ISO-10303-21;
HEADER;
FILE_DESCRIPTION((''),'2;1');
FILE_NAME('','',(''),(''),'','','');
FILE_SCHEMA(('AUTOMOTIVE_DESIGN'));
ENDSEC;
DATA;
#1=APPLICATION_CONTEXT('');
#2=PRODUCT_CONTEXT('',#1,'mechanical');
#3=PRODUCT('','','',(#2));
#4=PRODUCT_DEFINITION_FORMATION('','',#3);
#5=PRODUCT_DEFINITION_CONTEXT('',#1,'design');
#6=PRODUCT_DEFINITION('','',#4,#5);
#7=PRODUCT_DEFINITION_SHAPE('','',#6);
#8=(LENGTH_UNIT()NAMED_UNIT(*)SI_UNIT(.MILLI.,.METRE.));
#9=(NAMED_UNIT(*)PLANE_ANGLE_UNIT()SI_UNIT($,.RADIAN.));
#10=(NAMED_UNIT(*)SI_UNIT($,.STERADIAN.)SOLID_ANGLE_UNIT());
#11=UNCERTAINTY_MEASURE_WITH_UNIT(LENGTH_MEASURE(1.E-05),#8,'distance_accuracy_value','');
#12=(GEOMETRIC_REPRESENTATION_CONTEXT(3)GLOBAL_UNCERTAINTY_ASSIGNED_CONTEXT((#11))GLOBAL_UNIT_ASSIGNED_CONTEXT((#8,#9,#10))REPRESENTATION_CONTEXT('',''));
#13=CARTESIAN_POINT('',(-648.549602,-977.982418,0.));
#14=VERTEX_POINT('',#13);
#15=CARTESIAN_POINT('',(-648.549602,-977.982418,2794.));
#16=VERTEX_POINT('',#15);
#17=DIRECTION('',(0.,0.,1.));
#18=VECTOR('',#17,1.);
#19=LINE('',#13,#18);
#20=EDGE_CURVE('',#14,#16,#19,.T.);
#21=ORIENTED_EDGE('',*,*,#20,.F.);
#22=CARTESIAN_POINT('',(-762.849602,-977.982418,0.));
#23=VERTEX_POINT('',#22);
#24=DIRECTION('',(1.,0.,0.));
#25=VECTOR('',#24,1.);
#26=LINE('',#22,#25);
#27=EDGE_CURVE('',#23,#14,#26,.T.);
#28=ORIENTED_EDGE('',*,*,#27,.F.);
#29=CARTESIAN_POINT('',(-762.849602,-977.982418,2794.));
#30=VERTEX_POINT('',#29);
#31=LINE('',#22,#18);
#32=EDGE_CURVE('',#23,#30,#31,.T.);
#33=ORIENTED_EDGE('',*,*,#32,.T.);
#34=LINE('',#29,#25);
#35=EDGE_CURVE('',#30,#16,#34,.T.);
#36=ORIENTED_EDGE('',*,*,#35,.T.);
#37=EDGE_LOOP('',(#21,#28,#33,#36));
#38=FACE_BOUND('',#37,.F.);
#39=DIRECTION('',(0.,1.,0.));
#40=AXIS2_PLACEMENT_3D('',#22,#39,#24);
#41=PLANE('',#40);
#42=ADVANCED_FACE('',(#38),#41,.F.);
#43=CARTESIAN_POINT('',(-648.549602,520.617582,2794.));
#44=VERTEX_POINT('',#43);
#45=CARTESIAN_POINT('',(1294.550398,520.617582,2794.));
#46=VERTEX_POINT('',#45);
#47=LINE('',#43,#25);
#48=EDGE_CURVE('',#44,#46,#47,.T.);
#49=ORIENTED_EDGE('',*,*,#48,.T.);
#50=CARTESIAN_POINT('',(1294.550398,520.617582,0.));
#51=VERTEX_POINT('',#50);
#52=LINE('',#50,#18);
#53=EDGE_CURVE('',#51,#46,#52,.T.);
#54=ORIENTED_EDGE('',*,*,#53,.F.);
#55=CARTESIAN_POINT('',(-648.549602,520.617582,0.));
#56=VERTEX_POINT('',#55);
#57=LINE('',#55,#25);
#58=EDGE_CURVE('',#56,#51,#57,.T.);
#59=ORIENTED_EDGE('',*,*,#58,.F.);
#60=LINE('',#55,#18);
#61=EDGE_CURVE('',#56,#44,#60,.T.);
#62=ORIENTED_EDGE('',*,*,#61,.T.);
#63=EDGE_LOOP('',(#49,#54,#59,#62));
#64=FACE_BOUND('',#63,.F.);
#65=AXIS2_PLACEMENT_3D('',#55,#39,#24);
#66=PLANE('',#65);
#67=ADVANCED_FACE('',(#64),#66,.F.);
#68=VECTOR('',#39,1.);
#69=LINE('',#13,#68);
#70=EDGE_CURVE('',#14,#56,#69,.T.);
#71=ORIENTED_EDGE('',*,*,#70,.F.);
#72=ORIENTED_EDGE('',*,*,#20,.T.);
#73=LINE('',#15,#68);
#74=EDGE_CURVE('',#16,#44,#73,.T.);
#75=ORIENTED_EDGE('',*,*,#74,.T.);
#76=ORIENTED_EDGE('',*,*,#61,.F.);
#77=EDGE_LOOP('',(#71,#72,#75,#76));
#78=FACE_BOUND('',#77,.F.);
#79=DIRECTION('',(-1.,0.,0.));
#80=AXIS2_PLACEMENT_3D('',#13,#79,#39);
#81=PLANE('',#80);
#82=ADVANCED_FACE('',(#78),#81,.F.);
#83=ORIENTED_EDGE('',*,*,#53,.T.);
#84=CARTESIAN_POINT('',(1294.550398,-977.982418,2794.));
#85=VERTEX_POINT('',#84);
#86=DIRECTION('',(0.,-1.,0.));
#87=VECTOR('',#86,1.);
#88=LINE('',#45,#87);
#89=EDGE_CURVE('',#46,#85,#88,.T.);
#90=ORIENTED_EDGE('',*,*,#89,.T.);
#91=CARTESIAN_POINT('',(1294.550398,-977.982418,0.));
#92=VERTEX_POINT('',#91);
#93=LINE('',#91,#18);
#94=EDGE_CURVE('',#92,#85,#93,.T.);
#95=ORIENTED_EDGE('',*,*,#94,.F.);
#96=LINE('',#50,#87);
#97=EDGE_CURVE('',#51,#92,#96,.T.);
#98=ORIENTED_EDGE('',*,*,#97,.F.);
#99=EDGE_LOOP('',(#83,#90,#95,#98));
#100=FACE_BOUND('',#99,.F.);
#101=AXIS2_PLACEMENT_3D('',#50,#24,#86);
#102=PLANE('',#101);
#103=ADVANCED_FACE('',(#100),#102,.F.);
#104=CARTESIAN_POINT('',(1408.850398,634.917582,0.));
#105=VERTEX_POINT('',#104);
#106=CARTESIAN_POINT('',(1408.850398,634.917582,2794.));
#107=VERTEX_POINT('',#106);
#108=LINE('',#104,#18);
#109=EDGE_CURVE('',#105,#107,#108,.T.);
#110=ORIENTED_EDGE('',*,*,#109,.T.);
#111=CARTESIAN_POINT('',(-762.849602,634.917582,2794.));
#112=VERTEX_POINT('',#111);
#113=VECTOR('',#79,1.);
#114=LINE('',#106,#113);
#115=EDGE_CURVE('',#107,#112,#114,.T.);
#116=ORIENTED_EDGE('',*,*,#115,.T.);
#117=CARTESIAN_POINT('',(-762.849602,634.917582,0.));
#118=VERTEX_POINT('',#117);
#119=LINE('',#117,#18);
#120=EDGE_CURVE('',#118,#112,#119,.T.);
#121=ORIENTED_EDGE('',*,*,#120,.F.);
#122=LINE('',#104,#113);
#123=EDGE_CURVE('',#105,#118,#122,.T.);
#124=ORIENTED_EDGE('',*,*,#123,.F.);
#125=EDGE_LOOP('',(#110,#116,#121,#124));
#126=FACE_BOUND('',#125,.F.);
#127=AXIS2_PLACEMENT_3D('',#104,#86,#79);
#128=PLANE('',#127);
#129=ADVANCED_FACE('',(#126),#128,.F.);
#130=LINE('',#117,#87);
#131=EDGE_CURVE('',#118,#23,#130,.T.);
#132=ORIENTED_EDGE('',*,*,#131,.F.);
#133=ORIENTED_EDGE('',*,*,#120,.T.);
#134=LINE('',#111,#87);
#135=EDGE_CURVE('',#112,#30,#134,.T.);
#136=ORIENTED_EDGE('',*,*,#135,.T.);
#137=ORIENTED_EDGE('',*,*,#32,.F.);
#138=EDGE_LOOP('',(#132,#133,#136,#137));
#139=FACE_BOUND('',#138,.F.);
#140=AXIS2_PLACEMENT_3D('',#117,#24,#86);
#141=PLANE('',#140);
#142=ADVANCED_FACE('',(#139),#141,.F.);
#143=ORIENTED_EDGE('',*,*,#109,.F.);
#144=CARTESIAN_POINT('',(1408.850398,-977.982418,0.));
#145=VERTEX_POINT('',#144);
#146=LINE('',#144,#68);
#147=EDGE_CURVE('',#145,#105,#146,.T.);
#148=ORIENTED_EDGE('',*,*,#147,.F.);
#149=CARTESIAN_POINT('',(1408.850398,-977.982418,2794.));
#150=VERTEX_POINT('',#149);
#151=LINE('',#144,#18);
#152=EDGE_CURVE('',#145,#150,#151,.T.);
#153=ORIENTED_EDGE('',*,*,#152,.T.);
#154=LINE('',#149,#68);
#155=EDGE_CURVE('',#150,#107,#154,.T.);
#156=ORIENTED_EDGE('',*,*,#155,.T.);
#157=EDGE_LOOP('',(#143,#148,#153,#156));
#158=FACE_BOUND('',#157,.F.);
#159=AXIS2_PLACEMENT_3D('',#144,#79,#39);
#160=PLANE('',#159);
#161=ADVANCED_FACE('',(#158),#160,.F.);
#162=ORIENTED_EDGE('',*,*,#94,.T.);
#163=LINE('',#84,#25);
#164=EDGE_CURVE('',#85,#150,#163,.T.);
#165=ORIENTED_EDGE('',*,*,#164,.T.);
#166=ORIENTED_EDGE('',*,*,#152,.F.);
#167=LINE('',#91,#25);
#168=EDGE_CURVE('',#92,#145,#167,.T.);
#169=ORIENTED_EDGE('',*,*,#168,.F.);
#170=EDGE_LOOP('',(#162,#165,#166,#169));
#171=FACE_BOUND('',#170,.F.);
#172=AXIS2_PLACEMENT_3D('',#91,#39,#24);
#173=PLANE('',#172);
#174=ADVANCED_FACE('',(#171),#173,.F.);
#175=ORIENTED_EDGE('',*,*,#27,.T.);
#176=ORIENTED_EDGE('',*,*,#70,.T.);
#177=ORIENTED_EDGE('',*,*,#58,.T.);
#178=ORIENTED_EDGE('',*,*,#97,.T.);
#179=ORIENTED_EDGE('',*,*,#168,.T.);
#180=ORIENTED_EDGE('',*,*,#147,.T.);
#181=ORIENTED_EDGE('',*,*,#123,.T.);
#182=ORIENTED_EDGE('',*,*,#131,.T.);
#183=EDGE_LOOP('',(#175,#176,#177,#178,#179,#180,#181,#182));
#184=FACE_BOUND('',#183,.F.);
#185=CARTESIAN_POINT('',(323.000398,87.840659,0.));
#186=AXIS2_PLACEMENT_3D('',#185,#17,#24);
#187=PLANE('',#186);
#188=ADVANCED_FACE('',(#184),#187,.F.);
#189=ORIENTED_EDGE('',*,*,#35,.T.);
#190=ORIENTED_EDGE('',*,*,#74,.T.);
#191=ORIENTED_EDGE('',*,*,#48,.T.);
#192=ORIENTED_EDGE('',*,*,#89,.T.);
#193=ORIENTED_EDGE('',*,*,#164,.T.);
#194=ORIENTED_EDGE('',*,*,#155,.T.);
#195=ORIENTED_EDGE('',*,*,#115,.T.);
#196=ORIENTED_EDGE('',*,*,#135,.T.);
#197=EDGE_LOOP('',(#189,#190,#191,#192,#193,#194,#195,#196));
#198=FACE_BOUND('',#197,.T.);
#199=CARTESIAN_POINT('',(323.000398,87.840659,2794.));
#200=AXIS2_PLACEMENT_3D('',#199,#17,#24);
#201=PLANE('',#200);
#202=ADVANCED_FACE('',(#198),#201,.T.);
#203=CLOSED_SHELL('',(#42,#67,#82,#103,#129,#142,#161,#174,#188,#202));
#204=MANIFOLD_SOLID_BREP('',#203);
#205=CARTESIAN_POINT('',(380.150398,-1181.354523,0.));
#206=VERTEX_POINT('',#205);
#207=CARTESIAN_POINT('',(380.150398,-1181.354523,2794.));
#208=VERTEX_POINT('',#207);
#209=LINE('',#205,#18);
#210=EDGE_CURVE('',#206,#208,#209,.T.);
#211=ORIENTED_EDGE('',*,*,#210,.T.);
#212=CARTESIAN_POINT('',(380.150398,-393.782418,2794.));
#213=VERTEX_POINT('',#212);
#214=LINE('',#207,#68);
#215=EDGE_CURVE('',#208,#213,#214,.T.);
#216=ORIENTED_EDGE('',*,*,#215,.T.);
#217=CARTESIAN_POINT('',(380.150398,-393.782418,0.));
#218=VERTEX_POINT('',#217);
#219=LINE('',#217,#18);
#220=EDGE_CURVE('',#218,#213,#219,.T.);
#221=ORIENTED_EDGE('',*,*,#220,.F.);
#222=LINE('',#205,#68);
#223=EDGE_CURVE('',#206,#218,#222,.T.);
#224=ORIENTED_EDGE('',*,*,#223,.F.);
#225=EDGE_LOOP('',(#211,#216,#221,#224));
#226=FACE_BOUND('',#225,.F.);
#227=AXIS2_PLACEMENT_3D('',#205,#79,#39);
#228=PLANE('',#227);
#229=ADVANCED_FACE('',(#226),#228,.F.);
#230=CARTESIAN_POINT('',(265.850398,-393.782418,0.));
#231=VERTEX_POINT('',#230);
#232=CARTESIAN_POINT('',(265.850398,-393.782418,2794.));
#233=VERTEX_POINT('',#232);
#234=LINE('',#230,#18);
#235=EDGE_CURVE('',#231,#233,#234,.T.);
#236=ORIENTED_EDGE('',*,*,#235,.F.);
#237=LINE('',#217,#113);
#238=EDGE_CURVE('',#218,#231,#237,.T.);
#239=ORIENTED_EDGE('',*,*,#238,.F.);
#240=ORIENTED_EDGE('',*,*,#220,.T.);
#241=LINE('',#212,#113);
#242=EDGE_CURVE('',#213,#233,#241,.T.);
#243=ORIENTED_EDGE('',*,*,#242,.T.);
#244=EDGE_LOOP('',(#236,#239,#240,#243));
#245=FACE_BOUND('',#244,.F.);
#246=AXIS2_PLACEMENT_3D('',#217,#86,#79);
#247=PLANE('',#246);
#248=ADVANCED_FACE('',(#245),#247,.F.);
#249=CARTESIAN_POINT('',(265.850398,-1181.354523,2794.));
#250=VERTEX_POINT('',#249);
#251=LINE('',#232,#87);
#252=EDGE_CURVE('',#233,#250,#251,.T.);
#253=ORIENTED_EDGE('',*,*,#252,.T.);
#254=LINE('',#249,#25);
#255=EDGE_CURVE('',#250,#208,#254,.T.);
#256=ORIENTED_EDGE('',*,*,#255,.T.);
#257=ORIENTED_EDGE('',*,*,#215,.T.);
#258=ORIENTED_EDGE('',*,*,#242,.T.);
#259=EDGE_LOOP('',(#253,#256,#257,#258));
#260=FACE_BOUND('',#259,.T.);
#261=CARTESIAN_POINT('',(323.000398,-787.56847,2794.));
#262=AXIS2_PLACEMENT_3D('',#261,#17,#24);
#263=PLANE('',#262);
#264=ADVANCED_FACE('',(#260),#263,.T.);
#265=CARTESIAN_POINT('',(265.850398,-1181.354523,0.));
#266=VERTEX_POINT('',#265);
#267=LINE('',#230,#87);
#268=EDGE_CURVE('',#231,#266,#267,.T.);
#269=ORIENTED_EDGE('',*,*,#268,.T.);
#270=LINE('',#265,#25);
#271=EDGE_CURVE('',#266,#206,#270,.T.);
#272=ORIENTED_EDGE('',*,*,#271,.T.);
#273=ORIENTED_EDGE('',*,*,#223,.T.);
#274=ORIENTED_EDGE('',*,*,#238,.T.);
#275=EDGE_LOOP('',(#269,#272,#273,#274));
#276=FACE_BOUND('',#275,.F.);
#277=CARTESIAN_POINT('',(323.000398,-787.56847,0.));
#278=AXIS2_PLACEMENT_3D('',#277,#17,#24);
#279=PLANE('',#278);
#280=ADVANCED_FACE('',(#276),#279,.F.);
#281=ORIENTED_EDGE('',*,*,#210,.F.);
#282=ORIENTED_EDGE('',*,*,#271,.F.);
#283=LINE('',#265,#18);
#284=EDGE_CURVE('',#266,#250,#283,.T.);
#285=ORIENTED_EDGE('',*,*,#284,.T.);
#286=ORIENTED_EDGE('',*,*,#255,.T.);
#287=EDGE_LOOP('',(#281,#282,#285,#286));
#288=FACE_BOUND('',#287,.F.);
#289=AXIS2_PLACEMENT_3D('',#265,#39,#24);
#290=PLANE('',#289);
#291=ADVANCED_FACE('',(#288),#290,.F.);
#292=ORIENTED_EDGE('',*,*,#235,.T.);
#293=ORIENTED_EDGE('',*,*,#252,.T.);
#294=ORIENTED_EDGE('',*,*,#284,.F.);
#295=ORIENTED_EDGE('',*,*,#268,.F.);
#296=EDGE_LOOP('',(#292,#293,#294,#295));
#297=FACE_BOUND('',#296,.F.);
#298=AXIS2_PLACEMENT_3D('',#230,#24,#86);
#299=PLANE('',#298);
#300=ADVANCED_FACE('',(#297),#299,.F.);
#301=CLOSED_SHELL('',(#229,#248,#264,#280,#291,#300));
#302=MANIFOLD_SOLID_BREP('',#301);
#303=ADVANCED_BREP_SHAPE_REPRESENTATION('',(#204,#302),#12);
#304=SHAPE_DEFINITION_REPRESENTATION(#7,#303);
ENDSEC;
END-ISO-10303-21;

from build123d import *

# Parameters (mm, degrees)
F1_DEPTH = 2794


with BuildPart() as f1:
    # F0 (on Top) → F1 (new body)
    with BuildSketch(Plane.XY):
        Polygon((-648.549602, -977.982418), (-648.549602, 520.617582), (323.000398, 520.617582), (1294.550398, 520.617582), (1294.550398, -977.982418), (1408.850398, -977.982418), (1408.850398, 634.917582), (-762.849602, 634.917582), (-762.849602, -977.982418), align=None)
        Polygon((380.150398, -393.782418), (323.000398, -393.782418), (265.850398, -393.782418), (265.850398, -1181.354523), (380.150398, -1181.354523), align=None)
    extrude(amount=F1_DEPTH)


solid = f1.part
